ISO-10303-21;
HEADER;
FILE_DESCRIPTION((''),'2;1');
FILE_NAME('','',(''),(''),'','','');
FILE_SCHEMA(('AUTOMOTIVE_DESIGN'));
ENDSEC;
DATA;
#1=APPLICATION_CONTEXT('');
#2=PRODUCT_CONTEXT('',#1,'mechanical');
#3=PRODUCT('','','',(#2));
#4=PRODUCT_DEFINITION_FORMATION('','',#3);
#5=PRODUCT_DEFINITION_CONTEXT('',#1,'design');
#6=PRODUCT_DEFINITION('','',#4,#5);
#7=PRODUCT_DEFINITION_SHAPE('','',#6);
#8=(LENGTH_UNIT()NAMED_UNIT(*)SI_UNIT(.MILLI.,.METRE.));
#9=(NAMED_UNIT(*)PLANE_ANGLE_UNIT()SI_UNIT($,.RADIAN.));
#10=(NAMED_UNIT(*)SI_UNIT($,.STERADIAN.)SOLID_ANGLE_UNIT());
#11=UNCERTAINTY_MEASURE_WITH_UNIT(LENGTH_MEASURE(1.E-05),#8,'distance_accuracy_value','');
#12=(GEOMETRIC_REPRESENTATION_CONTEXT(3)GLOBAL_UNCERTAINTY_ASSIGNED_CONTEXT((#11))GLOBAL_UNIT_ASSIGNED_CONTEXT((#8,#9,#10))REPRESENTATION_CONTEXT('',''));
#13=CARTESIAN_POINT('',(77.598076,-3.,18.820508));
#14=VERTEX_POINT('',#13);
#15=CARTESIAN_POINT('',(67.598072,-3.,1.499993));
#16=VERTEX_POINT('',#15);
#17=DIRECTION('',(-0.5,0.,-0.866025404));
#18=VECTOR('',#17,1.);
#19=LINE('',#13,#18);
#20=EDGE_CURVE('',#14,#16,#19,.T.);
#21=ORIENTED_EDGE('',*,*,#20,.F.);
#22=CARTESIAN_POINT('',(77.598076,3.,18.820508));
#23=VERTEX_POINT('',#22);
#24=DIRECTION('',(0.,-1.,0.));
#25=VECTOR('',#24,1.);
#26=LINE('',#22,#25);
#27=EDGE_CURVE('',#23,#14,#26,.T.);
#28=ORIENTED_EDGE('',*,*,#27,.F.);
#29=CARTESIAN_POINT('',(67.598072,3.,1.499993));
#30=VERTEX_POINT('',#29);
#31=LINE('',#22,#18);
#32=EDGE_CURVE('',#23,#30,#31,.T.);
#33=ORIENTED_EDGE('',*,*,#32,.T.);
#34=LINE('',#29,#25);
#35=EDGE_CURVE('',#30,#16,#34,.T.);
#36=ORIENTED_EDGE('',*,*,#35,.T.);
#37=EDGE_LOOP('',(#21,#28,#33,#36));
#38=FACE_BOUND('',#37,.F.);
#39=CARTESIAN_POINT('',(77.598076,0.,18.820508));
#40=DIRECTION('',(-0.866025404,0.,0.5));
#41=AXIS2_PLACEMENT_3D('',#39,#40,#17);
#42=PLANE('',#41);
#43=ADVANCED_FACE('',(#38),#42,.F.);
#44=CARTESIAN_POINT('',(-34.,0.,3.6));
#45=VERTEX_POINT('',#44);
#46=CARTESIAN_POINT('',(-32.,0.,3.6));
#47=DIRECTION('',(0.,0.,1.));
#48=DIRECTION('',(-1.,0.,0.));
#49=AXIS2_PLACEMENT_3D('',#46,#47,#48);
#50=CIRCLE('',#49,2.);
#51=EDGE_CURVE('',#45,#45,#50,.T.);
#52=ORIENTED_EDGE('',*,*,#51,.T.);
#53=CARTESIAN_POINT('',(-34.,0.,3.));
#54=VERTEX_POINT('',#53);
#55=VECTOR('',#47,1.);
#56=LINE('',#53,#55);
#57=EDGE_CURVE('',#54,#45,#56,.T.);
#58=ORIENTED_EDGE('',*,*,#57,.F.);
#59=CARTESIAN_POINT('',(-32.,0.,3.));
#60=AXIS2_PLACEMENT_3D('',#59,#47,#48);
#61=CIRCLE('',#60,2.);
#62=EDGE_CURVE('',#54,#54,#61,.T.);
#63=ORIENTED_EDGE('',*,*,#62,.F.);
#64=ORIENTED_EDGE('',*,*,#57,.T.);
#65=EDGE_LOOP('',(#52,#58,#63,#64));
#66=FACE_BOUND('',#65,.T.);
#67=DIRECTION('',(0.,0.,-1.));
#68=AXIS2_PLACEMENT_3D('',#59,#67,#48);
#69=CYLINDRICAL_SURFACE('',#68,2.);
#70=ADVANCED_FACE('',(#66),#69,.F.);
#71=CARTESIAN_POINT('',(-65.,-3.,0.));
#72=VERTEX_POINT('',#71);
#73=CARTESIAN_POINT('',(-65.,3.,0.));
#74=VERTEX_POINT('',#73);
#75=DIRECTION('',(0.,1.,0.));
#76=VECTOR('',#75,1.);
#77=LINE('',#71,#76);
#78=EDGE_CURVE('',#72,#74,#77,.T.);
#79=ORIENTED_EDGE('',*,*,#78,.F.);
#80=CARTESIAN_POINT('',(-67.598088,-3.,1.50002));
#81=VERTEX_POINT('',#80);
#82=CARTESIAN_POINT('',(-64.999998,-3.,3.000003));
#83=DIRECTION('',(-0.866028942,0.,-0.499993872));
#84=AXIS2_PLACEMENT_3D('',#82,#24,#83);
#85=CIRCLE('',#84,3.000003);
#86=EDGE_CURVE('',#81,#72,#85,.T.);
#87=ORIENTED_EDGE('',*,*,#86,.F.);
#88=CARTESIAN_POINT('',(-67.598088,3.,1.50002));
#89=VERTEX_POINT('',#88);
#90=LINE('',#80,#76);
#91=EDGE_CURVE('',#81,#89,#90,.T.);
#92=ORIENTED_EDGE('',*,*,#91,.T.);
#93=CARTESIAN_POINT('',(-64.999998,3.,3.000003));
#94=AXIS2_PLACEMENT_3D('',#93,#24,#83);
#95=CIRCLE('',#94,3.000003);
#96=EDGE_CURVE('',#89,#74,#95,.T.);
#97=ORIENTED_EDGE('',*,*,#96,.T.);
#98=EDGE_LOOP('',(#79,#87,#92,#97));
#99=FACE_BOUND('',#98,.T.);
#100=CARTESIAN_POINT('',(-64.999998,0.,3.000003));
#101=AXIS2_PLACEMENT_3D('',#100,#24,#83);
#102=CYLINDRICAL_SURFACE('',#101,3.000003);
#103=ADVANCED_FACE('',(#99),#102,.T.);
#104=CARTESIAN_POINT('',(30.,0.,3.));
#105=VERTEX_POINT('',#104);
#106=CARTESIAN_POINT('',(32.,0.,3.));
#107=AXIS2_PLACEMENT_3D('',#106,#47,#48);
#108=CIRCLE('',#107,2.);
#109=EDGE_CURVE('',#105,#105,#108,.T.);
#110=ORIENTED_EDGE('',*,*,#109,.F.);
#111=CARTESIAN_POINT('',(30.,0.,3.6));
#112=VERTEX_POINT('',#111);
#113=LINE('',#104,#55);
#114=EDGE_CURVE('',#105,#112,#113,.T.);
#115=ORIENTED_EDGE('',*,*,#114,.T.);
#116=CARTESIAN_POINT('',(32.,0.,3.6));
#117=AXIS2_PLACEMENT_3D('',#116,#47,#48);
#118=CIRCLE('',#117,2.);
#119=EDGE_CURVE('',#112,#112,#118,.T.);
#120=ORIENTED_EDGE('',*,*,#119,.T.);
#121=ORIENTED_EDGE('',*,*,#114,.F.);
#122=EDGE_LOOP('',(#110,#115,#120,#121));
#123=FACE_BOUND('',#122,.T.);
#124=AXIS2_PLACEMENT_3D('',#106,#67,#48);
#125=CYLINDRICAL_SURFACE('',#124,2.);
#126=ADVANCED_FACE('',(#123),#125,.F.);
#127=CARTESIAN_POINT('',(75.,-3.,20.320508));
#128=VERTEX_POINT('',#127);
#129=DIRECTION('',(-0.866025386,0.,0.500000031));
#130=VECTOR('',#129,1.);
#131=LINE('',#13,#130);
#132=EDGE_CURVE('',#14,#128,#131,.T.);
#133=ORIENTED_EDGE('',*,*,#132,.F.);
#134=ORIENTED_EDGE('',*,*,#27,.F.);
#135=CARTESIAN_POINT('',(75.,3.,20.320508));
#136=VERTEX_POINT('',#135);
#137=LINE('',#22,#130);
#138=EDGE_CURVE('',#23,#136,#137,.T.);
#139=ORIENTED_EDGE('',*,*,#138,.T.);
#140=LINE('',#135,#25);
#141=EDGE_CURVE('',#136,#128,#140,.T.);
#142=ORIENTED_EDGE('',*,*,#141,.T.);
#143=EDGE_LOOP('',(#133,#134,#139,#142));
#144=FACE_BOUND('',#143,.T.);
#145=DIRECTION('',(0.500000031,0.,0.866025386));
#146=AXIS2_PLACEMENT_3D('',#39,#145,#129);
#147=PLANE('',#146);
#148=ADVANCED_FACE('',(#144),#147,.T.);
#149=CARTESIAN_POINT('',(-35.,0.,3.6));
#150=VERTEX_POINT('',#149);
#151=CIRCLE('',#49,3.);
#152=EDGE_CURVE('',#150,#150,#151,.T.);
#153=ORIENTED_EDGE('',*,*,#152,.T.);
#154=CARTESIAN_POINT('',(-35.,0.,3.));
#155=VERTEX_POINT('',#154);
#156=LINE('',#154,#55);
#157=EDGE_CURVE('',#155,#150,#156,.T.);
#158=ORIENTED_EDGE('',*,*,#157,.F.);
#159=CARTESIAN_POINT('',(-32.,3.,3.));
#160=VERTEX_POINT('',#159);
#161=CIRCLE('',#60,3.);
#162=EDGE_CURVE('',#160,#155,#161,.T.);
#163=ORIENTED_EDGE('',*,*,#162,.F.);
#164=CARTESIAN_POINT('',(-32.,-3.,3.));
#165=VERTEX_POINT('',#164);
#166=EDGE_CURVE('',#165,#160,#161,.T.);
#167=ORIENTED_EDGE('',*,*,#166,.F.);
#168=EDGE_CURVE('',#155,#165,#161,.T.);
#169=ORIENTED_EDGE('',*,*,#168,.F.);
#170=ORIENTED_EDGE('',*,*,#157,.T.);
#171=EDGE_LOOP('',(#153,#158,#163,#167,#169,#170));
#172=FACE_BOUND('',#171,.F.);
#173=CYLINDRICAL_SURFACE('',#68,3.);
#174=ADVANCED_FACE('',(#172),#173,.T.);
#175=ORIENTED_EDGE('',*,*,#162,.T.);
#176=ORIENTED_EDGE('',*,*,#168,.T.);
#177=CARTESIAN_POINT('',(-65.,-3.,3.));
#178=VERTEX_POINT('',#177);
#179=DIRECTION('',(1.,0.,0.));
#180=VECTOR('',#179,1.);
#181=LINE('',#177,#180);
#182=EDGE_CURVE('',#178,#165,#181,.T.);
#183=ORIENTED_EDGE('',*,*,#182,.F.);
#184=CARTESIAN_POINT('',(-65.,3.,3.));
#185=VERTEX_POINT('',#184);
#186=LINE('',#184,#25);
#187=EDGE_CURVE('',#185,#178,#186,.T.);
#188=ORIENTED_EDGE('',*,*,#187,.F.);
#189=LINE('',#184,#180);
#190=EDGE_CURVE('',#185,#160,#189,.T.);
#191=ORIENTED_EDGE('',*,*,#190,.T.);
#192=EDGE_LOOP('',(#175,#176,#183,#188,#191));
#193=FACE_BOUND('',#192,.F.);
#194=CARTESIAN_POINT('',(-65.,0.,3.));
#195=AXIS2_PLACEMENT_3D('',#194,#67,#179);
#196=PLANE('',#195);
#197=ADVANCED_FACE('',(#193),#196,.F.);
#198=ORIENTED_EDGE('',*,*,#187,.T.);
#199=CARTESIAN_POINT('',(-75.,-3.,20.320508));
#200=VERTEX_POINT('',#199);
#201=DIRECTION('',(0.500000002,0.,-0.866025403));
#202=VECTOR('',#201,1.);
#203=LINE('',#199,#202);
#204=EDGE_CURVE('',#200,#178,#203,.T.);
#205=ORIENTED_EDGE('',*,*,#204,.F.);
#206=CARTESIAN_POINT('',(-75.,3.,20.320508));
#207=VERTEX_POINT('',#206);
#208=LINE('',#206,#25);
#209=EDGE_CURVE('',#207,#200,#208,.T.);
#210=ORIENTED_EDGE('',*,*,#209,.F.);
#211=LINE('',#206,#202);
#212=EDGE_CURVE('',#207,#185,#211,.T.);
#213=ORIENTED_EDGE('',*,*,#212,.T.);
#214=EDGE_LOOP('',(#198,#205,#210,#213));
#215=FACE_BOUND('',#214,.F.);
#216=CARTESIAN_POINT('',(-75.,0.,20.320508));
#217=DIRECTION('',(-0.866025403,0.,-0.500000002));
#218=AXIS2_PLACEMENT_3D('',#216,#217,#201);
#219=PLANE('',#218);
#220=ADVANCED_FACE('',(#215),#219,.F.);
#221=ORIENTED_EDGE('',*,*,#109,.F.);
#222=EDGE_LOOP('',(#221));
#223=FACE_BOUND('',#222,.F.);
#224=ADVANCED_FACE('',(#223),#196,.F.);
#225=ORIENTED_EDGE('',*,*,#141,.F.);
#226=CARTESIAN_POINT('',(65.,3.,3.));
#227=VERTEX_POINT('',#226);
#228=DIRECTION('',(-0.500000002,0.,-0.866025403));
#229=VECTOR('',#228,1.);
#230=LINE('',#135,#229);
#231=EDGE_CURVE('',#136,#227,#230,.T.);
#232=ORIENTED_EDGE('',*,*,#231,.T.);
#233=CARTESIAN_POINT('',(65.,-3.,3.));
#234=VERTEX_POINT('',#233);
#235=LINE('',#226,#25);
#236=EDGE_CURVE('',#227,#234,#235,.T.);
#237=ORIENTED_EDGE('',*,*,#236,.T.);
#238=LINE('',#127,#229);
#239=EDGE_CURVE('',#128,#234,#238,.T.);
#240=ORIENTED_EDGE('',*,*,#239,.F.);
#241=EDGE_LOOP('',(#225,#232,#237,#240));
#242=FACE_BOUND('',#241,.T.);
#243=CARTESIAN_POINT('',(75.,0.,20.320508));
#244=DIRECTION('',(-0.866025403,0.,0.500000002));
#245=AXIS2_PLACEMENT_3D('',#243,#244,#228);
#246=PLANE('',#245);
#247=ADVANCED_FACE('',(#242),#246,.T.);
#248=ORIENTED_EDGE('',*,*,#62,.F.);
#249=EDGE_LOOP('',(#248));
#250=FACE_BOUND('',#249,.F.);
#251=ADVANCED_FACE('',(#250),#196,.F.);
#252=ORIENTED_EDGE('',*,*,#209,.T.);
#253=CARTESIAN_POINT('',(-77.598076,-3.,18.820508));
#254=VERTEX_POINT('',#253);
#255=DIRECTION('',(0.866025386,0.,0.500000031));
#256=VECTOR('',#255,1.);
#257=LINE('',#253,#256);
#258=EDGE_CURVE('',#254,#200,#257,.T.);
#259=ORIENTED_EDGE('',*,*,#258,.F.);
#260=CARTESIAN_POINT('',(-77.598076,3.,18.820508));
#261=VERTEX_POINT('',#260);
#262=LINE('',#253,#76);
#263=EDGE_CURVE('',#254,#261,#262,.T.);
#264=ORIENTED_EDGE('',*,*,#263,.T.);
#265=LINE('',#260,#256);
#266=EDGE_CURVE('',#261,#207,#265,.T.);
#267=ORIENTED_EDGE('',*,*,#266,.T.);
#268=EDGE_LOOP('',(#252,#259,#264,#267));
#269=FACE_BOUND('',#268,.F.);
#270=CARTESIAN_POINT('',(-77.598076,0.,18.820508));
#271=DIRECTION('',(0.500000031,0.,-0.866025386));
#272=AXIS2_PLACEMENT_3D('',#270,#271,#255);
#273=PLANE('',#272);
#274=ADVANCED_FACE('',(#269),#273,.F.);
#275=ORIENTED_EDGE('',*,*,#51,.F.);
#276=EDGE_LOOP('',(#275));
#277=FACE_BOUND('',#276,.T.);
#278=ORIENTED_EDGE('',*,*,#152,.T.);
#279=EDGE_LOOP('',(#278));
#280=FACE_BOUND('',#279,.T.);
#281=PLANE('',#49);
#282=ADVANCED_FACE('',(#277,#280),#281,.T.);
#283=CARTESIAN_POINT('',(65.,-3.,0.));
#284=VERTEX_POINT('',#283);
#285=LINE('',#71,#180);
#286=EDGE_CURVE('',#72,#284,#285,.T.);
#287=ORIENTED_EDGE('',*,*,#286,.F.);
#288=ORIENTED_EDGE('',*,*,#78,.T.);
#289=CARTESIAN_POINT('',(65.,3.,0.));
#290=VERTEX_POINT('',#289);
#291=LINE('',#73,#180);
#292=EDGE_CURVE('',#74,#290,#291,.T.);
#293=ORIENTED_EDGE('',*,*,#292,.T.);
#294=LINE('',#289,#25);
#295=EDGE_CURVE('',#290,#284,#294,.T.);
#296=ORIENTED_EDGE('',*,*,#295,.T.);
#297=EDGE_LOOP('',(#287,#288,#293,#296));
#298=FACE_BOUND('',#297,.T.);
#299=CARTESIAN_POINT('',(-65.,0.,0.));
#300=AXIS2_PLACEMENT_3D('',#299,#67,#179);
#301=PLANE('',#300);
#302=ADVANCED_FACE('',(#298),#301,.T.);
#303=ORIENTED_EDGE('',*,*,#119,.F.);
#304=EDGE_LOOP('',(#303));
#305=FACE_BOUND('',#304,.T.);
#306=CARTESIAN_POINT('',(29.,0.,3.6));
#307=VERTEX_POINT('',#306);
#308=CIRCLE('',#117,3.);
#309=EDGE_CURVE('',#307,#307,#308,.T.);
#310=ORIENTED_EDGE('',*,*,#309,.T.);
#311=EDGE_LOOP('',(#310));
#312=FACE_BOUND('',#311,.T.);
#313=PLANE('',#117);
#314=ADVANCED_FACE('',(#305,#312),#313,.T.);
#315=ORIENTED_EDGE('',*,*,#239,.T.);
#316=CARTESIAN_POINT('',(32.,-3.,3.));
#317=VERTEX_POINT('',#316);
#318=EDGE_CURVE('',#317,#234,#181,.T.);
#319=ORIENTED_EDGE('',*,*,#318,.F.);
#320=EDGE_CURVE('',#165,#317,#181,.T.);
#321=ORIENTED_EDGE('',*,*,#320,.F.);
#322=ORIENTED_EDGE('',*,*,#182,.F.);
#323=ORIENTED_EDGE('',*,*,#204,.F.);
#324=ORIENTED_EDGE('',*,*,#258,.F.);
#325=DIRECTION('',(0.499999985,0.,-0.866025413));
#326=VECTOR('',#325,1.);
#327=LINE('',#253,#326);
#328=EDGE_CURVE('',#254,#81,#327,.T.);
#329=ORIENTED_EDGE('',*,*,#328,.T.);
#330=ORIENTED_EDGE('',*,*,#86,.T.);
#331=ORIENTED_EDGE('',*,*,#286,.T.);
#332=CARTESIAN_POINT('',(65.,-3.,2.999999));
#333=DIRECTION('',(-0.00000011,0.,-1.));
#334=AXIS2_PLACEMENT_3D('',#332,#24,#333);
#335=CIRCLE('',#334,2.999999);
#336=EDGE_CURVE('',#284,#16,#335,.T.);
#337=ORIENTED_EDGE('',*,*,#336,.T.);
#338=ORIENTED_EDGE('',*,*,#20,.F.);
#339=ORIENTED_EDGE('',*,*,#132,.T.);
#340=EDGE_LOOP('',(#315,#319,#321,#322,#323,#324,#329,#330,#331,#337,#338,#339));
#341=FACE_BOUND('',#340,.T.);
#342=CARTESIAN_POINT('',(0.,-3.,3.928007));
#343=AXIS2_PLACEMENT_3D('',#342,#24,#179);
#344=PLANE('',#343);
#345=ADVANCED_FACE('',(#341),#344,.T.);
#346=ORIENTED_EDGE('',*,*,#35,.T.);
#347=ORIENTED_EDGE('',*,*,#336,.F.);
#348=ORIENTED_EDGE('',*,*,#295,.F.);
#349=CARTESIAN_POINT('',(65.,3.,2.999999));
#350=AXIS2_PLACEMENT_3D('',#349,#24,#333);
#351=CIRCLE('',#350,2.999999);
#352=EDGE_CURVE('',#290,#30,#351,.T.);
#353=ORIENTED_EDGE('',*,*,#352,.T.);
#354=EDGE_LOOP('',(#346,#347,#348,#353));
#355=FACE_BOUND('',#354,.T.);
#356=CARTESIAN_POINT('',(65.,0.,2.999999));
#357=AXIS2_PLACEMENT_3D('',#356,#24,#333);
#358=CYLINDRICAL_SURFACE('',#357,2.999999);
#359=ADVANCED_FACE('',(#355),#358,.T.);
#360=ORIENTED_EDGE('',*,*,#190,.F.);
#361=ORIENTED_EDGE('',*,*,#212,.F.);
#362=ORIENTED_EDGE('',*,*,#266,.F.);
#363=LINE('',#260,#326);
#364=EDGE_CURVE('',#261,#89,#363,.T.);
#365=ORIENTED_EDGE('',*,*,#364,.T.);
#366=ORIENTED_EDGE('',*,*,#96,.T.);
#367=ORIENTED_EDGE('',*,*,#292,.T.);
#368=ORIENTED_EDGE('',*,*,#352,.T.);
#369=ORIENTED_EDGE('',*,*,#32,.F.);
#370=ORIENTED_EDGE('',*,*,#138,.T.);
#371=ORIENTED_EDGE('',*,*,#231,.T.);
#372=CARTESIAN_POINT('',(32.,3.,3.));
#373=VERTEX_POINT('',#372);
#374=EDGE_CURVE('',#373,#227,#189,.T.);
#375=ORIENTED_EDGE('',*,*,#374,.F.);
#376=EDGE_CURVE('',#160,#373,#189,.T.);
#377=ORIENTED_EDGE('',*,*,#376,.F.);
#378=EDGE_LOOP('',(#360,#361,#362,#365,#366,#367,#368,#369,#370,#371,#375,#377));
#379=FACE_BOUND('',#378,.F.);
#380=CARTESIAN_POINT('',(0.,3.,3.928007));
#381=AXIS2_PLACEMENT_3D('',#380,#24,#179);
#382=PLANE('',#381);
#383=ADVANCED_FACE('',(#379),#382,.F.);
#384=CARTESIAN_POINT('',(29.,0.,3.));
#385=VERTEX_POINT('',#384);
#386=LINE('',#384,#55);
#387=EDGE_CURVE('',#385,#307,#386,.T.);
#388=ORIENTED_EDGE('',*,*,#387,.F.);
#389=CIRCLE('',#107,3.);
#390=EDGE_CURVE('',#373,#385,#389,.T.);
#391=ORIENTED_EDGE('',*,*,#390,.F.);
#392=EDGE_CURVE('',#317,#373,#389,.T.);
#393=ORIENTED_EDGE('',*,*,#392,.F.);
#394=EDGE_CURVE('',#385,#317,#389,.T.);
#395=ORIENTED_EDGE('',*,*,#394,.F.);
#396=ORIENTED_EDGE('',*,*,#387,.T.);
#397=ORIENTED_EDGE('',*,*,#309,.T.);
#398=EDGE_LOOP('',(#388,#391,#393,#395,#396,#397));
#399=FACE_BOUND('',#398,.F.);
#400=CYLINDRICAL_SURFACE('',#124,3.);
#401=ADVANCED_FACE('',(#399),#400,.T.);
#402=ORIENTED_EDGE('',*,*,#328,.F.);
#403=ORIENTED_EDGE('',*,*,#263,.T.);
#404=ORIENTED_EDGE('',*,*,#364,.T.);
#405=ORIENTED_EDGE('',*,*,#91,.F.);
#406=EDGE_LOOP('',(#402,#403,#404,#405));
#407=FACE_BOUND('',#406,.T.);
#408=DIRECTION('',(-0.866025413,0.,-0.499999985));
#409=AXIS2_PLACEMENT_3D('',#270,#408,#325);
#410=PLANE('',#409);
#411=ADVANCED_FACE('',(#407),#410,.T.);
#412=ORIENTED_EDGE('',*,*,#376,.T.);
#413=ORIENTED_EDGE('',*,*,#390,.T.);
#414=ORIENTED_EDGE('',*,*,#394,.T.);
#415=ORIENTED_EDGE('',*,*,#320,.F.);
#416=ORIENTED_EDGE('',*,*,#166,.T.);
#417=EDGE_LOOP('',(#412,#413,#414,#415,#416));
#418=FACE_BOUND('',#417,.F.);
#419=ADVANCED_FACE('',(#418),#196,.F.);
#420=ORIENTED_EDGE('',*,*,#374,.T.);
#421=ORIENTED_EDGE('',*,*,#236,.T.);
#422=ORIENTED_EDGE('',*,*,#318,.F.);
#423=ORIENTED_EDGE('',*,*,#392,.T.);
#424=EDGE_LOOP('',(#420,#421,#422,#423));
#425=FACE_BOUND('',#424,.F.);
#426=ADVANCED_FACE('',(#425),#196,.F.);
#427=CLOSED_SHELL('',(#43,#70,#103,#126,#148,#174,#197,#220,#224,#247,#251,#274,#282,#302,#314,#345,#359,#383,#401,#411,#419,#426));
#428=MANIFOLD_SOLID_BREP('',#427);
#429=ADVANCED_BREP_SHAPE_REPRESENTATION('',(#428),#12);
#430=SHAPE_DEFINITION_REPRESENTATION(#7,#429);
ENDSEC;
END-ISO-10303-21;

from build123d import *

# Parameters (mm, degrees)
PAD_DEPTH     = 3
SKETCH001_R   = 3
SKETCH001_R_2 = 2
PAD001_DEPTH  = 0.6


with BuildPart() as part:
    # Sketch → Pad (new body, symmetric)
    with BuildSketch(Plane.XZ):
        with BuildLine():
            Line((-65, 0), (65, 0))
            ThreePointArc((65, 0), (66.499997, 0.401922), (67.598072, 1.499993))
            Line((77.598076, 18.820508), (67.598072, 1.499993))
            Line((77.598076, 18.820508), (75, 20.320508))
            Line((75, 20.320508), (65, 3))
            Line((-65, 3), (65, 3))
            Line((-75, 20.320508), (-65, 3))
            Line((-77.598076, 18.820508), (-75, 20.320508))
            Line((-77.598076, 18.820508), (-67.598088, 1.50002))
            ThreePointArc((-67.598088, 1.50002), (-66.50001, 0.40193), (-65, 0))
        make_face()
    extrude(amount=PAD_DEPTH, both=True)

    # Sketch001 → Pad001 (new body)
    with BuildSketch(Plane(origin=(0, 0, 3), x_dir=(-1, 0, 0), z_dir=(0, 0, 1))):
        with Locations((-32, 0)):
            Circle(SKETCH001_R)
        with Locations((-32, 0)):
            Circle(SKETCH001_R_2, mode=Mode.SUBTRACT)
        with Locations((32, 0)):
            Circle(SKETCH001_R)
        with Locations((32, 0)):
            Circle(SKETCH001_R_2, mode=Mode.SUBTRACT)
    extrude(amount=PAD001_DEPTH)


solid = part.part
